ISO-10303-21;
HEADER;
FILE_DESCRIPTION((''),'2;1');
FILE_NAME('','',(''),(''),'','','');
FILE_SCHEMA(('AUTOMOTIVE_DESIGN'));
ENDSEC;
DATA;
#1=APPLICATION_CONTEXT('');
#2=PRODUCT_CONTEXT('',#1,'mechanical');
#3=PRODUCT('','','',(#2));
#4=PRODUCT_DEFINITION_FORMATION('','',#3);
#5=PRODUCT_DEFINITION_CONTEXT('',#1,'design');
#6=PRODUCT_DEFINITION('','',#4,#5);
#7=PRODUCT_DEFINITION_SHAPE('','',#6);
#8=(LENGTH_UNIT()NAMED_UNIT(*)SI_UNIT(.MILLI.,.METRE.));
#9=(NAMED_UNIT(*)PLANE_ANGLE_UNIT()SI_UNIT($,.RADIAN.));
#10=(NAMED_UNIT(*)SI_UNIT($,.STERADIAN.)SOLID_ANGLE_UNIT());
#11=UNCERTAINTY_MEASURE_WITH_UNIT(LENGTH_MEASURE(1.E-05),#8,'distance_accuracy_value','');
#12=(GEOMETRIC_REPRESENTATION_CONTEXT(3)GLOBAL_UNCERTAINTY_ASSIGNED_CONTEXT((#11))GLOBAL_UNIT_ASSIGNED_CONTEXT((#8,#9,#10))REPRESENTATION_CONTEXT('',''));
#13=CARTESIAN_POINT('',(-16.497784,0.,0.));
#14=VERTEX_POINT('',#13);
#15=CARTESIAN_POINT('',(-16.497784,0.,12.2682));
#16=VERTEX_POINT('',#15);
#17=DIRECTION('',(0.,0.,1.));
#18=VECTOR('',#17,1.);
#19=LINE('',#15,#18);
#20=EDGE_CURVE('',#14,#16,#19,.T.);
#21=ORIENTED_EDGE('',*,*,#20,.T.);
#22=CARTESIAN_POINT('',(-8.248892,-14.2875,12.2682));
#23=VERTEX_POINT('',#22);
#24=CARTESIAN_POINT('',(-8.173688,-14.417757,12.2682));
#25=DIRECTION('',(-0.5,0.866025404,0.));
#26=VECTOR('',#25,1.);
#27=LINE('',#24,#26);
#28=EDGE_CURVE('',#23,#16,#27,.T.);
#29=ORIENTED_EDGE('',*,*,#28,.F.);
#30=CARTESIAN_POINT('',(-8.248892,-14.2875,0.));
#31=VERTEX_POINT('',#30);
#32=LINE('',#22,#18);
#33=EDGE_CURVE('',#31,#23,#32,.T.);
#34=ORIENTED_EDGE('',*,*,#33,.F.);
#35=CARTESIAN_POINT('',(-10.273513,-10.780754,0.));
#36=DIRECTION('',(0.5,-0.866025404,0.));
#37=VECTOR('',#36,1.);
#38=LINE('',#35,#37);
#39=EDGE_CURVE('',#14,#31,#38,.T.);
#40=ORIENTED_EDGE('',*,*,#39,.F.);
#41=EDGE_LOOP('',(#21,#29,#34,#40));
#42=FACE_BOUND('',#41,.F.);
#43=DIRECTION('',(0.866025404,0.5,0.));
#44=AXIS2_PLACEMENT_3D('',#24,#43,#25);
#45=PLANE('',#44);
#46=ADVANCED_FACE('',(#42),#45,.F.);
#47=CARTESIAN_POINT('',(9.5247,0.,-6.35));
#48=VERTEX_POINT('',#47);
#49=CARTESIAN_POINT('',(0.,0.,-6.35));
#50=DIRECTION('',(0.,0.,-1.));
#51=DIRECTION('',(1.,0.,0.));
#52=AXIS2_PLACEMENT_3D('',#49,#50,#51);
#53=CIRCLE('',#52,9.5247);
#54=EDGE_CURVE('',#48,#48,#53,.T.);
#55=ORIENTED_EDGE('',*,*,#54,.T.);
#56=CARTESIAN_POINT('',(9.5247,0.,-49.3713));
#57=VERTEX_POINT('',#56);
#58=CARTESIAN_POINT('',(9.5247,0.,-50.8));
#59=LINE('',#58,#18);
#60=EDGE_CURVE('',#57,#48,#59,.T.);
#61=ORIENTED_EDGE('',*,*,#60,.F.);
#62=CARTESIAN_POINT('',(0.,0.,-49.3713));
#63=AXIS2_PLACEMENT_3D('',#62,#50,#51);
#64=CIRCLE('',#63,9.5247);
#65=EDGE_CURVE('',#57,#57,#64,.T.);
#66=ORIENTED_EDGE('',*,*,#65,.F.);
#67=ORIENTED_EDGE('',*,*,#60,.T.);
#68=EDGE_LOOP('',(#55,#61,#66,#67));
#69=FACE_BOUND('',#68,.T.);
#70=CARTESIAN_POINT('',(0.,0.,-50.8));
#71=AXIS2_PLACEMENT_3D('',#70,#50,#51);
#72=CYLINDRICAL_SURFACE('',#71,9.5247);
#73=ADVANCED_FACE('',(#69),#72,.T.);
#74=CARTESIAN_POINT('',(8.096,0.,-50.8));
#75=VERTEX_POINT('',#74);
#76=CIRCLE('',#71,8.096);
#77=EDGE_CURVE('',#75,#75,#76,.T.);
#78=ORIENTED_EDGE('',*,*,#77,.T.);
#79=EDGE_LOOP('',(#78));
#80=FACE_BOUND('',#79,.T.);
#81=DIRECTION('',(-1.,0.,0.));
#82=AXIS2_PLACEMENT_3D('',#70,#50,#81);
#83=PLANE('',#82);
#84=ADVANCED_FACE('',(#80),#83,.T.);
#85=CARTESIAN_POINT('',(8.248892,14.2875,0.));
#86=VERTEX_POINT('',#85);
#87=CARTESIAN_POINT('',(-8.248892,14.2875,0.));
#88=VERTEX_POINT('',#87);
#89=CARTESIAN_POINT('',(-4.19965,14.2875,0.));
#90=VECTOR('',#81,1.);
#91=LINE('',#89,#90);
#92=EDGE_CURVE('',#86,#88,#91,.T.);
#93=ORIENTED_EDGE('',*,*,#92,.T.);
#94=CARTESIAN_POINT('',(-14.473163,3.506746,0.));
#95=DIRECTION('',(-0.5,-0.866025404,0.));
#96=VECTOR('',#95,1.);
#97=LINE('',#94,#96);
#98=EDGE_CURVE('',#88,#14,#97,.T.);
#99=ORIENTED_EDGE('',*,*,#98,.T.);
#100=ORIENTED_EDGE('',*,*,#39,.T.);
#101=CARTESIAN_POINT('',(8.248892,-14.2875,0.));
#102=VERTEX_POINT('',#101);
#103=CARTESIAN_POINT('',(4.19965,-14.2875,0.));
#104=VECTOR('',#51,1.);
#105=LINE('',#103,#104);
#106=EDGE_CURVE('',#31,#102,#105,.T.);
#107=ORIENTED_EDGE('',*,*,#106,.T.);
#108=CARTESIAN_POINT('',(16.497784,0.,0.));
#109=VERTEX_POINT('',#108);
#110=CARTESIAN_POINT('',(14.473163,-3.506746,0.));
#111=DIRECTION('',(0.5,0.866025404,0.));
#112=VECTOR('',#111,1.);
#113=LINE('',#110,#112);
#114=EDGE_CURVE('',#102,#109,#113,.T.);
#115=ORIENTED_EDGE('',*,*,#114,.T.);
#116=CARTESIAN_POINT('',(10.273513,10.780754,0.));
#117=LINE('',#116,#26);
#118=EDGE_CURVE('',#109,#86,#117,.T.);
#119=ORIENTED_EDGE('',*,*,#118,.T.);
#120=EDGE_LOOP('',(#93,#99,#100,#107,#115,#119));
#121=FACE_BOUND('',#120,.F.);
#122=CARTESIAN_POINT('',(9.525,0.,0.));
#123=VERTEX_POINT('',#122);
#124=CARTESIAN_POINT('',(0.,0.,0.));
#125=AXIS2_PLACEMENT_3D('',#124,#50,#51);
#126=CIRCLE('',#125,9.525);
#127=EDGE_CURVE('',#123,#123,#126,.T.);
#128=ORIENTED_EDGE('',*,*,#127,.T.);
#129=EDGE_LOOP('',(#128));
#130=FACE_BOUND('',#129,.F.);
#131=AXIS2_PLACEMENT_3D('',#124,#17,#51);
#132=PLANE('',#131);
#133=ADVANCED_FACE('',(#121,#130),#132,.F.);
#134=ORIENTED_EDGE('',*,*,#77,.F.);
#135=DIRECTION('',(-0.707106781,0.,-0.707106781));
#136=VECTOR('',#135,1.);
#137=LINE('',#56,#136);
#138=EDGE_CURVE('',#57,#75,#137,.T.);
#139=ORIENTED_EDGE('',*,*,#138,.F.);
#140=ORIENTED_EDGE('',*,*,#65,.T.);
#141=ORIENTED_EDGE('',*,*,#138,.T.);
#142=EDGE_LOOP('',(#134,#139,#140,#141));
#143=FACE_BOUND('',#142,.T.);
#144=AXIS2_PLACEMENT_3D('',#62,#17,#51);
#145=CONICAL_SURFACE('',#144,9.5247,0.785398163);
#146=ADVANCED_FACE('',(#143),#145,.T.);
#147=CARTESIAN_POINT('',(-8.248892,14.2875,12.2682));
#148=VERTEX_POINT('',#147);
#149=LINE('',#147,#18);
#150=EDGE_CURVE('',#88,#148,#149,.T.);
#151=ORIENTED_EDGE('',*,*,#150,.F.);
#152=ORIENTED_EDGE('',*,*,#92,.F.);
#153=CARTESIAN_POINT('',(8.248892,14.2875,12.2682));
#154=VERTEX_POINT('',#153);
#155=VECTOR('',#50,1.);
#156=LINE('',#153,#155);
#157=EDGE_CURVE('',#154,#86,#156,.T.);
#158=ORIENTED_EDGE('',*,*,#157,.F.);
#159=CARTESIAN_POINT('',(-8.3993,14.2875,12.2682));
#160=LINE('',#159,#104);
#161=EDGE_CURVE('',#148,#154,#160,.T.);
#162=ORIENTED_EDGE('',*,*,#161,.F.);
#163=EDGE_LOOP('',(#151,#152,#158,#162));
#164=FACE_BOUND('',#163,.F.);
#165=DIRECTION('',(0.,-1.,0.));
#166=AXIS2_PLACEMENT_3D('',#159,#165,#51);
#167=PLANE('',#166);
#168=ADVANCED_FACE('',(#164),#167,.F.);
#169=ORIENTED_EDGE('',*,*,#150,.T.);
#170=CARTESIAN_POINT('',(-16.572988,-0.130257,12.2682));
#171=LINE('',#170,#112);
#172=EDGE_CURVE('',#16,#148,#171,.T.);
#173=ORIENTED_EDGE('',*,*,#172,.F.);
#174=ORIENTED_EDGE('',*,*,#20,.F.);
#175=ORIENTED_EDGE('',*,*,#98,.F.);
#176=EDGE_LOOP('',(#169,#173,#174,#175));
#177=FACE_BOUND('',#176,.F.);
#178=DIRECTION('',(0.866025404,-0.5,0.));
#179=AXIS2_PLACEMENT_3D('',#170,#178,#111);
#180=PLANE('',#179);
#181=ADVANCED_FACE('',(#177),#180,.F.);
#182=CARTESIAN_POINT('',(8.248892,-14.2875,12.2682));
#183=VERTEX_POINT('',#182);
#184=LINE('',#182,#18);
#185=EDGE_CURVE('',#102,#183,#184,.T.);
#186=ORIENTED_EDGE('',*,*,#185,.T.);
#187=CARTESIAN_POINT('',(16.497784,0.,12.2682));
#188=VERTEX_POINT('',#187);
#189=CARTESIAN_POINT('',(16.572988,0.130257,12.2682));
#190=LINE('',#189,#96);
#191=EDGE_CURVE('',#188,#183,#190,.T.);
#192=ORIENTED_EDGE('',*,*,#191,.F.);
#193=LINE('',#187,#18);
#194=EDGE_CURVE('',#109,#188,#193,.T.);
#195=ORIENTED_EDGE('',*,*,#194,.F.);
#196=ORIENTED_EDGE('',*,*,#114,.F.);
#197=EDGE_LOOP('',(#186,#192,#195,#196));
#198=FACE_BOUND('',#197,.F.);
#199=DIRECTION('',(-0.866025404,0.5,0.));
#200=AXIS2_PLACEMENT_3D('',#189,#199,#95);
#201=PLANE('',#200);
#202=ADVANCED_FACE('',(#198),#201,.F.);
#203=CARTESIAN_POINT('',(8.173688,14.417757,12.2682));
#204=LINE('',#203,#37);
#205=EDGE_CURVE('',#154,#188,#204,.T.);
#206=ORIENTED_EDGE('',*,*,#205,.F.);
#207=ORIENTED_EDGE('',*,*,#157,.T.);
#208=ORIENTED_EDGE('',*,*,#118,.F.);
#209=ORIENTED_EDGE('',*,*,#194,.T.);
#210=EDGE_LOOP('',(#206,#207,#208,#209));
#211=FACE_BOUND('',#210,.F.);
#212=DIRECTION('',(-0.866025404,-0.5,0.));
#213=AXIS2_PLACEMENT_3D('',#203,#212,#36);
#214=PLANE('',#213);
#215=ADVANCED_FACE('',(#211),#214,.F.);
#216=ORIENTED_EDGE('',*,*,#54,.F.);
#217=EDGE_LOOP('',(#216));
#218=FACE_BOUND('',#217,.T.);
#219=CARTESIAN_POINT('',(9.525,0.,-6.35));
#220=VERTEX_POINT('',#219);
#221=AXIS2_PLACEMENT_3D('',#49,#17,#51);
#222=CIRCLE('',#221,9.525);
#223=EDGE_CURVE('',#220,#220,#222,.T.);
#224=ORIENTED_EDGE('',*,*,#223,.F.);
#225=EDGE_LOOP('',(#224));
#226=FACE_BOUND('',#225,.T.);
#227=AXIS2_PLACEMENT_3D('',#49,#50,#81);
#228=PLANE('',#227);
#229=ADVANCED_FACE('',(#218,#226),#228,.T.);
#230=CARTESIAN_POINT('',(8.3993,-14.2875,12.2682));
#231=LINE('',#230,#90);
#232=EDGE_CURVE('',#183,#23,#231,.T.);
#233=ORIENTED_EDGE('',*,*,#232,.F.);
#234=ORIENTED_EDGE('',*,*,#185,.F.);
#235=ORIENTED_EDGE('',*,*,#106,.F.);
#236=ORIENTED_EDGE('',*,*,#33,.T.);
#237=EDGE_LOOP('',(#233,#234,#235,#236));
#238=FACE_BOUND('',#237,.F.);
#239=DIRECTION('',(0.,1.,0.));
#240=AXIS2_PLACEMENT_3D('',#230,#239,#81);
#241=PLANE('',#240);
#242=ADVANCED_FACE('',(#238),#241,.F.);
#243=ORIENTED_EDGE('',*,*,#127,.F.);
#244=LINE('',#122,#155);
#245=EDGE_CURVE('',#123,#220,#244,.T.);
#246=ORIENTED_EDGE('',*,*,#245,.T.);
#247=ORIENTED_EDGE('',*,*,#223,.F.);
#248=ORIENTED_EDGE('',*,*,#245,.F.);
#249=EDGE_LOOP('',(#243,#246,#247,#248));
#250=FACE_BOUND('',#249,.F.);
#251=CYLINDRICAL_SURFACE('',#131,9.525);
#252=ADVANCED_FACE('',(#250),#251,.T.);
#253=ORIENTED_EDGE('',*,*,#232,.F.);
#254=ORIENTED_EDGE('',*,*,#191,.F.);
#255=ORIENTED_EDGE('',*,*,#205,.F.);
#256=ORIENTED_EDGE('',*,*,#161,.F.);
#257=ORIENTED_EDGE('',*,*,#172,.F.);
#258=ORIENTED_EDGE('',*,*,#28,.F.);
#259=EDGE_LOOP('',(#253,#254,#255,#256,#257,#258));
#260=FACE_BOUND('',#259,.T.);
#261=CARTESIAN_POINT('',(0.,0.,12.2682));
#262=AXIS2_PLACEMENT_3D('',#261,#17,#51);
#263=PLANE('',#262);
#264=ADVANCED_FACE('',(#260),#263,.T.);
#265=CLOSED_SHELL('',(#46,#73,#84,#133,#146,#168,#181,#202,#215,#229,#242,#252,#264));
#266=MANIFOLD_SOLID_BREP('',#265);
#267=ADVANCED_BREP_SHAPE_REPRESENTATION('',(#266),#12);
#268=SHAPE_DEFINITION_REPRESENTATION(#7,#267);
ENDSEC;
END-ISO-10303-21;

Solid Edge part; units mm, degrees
sketch "Sketch1" plane through (0, 0, 0) normal (0, 0, 1) x (1, 0, 0)
  circle A0 centre (0, 0) radius 16.5735
  dimension "D1" = 33.147
extrude "Protrusion1" add sketch "Sketch1" along normal blind 12.2682
sketch "Sketch2" plane through (0, 0, 0) normal (0, 0, -1) x (1, 0, 0)
  circle A0 centre (0, 0) radius 9.525
extrude "Protrusion2" add sketch "Sketch2" along normal blind 50.8
sketch "Sketch3" plane through (0, 0, -50.8) normal (0, 0, -1) x (1, 0, 0)
  circle A0 centre (0, 0) radius 9.5247
extrude "Cutout1" cut sketch "Sketch3" against normal blind 44.45 flip side to cut
chamfer "Chamfer_1" distance 1.4287 angle 45 1 edges at (-9.5247, 0, -50.8)
sketch "Sketch4" plane through (0, 0, 12.2682) normal (0, 0, 1) x (1, 0, 0)
  line L0 (-8.3993, 14.2875) -> (8.3993, 14.2875)
  dimension "D1" = 28.575
extrude "Cutout2" cut sketch "Sketch4" against normal up to next material side at (0, 14.3375, 12.2682)
pattern_circular "Pattern1" count 6 over 360 about axis through (0, 0, 12.2682) along (0, 0, 1) of "Cutout2"
properties part number "24100045"
